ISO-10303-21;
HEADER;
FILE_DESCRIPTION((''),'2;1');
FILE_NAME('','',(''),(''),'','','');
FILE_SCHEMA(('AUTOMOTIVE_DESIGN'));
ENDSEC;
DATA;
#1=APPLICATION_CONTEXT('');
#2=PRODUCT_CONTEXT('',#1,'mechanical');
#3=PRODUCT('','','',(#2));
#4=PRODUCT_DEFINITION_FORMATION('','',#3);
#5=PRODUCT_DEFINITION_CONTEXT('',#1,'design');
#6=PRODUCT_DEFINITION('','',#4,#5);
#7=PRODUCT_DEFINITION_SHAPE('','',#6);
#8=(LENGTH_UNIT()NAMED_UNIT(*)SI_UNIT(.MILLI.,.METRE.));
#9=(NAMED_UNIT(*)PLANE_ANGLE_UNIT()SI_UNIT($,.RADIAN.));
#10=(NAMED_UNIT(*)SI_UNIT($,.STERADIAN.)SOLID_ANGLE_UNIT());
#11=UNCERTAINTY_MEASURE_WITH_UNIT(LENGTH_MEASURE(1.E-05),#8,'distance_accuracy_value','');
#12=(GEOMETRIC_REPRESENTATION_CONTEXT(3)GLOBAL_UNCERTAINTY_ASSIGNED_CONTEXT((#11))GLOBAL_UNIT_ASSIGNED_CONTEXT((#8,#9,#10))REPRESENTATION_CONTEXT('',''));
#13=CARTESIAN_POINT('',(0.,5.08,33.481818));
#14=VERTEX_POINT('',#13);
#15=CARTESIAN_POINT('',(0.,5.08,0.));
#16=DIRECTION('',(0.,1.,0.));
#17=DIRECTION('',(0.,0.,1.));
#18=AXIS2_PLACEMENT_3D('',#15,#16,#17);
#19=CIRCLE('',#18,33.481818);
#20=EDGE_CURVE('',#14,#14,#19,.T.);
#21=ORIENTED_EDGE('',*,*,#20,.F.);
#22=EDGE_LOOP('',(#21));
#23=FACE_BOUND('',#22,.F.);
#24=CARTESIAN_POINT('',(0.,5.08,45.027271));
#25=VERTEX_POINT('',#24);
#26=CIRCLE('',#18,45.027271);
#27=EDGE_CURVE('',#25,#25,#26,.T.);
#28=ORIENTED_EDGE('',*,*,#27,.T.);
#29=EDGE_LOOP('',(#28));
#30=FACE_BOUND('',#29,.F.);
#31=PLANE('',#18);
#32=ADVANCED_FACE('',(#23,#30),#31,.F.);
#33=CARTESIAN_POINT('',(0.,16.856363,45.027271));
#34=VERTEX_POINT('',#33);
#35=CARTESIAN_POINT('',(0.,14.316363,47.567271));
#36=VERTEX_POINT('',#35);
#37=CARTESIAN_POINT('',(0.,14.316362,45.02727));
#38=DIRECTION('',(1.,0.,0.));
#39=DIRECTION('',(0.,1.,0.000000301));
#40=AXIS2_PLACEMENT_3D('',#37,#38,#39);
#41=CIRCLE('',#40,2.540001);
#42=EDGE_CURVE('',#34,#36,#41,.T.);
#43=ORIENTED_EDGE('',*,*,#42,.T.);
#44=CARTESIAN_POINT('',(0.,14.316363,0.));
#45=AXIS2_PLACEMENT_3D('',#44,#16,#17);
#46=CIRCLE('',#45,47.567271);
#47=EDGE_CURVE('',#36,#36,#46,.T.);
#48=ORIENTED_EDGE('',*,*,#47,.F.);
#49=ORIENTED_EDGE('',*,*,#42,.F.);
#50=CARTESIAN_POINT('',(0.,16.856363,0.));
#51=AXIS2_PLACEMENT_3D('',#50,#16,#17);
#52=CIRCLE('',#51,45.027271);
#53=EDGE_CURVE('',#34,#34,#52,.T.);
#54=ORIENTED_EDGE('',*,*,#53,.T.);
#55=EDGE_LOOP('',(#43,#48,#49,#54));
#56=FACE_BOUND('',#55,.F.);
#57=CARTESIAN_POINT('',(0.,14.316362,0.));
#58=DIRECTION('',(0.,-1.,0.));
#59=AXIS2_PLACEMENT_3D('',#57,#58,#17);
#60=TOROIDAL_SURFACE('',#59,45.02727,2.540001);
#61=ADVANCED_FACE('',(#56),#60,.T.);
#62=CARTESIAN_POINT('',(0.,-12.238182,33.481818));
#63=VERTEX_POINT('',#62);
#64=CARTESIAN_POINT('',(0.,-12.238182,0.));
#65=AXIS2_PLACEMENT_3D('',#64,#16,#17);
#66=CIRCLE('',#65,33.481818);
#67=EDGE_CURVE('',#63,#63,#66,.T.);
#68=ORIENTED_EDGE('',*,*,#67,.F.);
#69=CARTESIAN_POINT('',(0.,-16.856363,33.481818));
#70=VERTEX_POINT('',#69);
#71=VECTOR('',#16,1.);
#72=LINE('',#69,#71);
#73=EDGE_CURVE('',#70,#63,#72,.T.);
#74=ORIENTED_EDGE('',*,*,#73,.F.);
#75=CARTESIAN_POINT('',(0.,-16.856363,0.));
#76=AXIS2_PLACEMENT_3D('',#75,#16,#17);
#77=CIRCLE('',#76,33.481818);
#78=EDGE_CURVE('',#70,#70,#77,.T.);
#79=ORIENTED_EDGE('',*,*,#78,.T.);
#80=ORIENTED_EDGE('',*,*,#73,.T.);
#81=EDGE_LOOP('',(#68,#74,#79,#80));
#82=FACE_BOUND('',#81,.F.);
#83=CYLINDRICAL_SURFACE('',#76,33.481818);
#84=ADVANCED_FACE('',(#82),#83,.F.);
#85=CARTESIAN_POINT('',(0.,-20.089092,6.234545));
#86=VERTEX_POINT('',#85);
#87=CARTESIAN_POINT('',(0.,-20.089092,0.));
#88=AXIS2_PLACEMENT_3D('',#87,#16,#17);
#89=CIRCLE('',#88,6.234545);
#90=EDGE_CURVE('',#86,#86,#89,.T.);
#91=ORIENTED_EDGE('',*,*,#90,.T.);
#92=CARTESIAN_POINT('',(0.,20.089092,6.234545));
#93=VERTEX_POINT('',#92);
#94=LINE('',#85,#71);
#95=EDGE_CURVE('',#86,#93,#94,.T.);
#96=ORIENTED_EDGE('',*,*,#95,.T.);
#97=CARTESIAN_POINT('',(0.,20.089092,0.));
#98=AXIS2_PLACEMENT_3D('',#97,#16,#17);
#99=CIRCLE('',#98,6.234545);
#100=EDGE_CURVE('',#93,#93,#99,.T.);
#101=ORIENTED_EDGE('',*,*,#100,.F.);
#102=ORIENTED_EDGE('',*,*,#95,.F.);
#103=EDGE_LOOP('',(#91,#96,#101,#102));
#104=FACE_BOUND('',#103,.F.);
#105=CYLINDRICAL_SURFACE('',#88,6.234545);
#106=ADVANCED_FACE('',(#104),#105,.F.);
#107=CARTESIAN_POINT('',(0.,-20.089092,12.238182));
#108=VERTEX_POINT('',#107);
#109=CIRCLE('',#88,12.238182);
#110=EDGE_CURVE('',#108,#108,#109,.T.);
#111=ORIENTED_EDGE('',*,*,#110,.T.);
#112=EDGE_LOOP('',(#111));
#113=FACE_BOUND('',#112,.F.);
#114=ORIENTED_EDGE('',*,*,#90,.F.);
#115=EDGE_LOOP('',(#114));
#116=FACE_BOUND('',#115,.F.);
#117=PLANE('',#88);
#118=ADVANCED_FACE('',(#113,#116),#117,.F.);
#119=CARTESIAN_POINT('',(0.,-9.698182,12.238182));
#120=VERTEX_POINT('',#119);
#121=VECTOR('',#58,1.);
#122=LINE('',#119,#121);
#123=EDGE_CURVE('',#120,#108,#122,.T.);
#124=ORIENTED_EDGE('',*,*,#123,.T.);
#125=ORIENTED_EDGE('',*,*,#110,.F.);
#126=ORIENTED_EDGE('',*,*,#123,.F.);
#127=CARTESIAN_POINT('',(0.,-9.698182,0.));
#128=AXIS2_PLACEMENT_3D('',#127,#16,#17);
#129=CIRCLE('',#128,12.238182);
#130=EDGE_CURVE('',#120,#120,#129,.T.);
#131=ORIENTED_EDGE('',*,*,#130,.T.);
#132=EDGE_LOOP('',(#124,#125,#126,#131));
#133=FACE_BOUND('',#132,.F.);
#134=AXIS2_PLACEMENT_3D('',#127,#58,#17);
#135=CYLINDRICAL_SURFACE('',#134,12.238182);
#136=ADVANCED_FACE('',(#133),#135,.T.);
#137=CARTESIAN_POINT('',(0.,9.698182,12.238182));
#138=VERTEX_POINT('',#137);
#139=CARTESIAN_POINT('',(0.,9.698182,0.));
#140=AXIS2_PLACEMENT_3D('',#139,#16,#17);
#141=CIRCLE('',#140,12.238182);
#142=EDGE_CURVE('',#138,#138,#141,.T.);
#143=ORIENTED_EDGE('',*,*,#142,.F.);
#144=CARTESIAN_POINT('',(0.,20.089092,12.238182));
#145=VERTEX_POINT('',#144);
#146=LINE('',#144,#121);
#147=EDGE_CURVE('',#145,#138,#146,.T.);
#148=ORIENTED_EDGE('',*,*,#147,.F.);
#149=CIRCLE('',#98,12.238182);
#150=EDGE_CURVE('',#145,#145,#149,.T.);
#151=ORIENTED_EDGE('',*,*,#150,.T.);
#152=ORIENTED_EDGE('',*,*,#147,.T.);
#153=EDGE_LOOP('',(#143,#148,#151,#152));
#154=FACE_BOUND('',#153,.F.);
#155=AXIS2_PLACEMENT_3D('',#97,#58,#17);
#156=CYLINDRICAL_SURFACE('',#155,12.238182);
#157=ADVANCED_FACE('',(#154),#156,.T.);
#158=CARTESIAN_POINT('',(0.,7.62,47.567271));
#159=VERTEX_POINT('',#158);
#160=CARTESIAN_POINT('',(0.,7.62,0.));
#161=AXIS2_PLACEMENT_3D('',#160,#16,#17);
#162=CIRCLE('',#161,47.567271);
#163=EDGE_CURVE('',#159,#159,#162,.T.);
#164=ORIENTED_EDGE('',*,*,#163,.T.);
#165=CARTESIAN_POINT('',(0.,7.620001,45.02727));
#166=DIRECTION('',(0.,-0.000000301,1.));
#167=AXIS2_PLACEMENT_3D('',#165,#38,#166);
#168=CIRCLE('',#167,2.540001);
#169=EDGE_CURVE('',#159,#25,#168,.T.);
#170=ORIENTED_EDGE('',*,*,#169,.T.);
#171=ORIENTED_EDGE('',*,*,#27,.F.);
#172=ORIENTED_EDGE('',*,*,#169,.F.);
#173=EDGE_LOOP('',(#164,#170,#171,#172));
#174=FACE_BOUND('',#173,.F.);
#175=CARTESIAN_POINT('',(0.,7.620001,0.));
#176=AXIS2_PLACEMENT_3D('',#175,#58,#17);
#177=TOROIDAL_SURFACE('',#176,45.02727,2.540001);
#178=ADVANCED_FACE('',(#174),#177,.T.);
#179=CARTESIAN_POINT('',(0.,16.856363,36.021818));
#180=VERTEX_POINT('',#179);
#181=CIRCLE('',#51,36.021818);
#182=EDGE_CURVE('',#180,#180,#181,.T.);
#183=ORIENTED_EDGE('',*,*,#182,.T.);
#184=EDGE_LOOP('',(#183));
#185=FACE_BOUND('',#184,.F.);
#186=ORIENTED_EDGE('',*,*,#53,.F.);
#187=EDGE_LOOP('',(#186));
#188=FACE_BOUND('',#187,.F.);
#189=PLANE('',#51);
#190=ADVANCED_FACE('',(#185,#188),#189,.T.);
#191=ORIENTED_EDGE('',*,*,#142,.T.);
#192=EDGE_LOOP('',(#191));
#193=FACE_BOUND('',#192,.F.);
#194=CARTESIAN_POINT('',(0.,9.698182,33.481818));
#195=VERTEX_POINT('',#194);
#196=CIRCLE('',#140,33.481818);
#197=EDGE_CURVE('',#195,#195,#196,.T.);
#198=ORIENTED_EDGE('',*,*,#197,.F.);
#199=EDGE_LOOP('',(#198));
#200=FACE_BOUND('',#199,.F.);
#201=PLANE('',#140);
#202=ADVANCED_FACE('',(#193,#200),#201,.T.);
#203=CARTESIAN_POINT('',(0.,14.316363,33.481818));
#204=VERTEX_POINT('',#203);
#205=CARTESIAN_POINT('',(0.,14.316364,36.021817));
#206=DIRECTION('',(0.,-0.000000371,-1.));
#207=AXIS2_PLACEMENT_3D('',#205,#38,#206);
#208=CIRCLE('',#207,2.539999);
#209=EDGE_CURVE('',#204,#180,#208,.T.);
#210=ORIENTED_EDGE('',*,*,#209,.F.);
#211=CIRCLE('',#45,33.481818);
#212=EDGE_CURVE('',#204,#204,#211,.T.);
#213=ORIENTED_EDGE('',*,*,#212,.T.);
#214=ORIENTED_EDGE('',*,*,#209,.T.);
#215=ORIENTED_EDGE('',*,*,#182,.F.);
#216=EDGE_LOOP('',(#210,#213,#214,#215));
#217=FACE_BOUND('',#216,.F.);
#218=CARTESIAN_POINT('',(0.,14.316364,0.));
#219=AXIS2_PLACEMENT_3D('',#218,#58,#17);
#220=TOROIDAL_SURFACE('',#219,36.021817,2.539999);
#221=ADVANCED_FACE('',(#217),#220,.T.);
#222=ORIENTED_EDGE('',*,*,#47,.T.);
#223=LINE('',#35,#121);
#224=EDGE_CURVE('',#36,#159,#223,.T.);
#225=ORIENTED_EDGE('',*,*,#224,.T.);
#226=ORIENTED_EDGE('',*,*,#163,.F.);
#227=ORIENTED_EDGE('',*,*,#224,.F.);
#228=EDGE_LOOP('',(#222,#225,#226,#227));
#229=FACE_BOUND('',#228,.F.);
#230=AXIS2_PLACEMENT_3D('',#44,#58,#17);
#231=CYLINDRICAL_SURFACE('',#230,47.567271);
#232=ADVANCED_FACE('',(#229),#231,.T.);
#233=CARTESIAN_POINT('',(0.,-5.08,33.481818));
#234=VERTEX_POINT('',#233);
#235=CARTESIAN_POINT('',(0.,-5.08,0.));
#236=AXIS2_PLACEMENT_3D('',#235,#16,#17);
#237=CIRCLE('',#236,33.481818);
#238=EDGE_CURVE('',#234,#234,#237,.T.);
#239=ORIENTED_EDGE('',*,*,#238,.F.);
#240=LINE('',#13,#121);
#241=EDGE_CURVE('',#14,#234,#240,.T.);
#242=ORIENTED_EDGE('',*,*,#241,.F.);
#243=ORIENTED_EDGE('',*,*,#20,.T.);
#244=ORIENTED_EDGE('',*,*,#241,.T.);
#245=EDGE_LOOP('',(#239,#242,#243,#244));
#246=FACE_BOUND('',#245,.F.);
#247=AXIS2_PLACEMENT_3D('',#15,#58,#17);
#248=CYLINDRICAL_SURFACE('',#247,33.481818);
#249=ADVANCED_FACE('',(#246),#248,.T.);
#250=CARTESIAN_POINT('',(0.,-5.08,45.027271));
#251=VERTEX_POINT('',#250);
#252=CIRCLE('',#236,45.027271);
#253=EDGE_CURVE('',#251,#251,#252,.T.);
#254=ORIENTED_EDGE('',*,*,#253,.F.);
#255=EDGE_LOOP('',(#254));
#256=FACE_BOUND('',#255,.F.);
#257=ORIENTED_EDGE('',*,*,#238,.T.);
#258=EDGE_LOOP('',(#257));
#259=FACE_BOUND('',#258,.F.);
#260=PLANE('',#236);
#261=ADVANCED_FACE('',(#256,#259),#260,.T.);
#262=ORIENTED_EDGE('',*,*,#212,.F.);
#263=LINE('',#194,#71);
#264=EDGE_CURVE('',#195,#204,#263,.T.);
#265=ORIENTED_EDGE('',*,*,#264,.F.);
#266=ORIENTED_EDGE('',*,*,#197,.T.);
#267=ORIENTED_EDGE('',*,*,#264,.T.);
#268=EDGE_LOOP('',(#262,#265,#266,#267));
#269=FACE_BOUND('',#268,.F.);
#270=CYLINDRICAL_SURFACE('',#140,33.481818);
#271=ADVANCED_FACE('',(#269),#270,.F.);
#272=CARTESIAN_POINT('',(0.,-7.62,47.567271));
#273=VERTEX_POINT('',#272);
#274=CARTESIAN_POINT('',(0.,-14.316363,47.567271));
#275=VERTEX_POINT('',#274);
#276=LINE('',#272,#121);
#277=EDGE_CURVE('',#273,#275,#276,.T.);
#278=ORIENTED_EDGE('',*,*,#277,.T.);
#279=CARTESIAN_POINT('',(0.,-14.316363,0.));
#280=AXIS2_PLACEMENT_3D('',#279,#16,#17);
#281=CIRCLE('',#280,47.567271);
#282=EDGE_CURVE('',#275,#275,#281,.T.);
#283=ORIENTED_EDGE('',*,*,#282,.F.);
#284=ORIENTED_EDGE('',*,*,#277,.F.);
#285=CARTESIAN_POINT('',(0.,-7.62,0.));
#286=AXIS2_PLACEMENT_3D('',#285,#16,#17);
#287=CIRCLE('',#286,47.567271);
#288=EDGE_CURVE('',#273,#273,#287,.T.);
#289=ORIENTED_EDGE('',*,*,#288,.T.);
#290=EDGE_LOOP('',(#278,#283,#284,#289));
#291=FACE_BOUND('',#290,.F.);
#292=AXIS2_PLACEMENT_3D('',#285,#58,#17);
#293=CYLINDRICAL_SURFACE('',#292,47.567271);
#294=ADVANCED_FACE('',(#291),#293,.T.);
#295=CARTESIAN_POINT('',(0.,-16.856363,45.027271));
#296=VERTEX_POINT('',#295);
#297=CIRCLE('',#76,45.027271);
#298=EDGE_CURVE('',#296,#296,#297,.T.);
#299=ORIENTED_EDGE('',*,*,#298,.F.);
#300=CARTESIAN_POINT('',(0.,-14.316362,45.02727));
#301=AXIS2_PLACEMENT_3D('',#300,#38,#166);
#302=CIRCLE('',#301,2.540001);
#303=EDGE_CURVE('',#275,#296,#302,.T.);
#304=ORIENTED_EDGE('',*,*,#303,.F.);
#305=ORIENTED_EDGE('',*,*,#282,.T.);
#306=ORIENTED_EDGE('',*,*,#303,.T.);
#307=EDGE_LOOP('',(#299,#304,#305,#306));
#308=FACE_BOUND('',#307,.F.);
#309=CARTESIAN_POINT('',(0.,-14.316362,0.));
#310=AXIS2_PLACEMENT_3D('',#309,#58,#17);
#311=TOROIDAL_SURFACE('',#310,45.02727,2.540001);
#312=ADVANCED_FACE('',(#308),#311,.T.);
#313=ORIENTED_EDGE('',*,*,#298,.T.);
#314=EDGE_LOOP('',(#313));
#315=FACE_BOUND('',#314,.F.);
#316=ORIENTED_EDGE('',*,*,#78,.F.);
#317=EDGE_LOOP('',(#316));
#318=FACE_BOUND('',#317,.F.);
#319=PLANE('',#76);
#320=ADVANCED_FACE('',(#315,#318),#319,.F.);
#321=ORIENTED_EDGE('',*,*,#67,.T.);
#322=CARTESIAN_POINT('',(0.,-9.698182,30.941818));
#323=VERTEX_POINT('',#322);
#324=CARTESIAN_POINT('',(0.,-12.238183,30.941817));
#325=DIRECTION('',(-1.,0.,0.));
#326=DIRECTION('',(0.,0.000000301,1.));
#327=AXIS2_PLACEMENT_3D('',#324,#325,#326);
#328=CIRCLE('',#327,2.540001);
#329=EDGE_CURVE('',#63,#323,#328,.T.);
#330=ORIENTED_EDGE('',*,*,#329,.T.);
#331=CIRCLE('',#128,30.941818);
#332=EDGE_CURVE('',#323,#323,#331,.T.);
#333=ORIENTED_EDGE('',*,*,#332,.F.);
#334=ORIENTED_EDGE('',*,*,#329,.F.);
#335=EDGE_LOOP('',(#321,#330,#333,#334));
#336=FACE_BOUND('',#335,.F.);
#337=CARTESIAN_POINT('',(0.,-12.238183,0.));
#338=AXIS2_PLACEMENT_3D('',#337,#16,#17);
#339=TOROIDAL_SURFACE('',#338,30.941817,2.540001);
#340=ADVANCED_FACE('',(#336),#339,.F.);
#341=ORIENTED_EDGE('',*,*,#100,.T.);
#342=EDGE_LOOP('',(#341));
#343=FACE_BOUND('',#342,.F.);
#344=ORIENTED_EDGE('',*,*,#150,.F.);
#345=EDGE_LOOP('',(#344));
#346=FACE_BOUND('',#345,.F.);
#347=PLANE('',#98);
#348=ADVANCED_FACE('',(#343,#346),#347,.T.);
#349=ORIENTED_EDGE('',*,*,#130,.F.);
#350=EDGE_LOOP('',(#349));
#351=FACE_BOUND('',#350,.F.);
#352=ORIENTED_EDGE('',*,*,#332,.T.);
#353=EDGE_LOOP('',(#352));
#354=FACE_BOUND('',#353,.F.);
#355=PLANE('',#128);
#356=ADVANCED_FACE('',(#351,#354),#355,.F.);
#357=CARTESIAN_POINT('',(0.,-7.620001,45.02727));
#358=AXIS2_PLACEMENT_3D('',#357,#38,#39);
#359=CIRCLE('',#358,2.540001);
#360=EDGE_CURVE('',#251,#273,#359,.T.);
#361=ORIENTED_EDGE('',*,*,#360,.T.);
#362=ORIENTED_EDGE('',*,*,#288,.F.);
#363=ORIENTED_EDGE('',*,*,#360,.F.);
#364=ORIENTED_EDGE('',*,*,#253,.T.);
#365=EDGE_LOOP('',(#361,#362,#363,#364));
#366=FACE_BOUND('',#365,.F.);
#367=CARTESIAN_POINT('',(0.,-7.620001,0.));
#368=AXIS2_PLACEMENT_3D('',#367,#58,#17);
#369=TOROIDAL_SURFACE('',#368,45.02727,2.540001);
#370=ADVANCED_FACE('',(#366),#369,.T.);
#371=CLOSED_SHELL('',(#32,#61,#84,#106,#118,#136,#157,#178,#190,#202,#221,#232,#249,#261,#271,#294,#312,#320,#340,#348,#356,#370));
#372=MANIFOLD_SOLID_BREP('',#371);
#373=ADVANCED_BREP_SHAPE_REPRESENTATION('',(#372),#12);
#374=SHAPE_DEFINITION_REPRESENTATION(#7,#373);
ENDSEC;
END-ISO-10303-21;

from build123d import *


with BuildPart() as f1:
    # F0 (on Right) → F1 (revolve)
    with BuildSketch(Plane.YZ):
        with BuildLine():
            Line((-20.089092, 6.234545), (0, 6.234545))
            Line((0, 6.234545), (20.089092, 6.234545))
            Line((20.089092, 6.234545), (20.089092, 12.238182))
            Line((20.089092, 12.238182), (9.698182, 12.238182))
            Line((9.698182, 12.238182), (9.698182, 33.481818))
            Line((9.698182, 33.481818), (14.316363, 33.481818))
            ThreePointArc((14.316363, 33.481818), (16.112414, 34.225766), (16.856363, 36.021818))
            Line((16.856363, 36.021818), (16.856363, 45.027271))
            ThreePointArc((16.856363, 45.027271), (16.112414, 46.823322), (14.316363, 47.567271))
            Line((14.316363, 47.567271), (7.62, 47.567271))
            ThreePointArc((7.62, 47.567271), (5.823949, 46.823322), (5.08, 45.027271))
            Line((5.08, 45.027271), (5.08, 33.481818))
            Line((5.08, 33.481818), (0, 33.481818))
            Line((0, 33.481818), (-5.08, 33.481818))
            Line((-5.08, 33.481818), (-5.08, 45.027271))
            ThreePointArc((-5.08, 45.027271), (-5.823949, 46.823322), (-7.62, 47.567271))
            Line((-7.62, 47.567271), (-14.316363, 47.567271))
            ThreePointArc((-14.316363, 47.567271), (-16.112414, 46.823322), (-16.856363, 45.027271))
            Line((-16.856363, 45.027271), (-16.856363, 33.481818))
            Line((-16.856363, 33.481818), (-12.238182, 33.481818))
            ThreePointArc((-12.238182, 33.481818), (-10.442131, 32.737869), (-9.698182, 30.941818))
            Line((-9.698182, 30.941818), (-9.698182, 12.238182))
            Line((-9.698182, 12.238182), (-20.089092, 12.238182))
            Line((-20.089092, 12.238182), (-20.089092, 6.234545))
        make_face()
    revolve(axis=Axis((0, -1.039088, 0), (0, 1, 0)))


solid = f1.part
